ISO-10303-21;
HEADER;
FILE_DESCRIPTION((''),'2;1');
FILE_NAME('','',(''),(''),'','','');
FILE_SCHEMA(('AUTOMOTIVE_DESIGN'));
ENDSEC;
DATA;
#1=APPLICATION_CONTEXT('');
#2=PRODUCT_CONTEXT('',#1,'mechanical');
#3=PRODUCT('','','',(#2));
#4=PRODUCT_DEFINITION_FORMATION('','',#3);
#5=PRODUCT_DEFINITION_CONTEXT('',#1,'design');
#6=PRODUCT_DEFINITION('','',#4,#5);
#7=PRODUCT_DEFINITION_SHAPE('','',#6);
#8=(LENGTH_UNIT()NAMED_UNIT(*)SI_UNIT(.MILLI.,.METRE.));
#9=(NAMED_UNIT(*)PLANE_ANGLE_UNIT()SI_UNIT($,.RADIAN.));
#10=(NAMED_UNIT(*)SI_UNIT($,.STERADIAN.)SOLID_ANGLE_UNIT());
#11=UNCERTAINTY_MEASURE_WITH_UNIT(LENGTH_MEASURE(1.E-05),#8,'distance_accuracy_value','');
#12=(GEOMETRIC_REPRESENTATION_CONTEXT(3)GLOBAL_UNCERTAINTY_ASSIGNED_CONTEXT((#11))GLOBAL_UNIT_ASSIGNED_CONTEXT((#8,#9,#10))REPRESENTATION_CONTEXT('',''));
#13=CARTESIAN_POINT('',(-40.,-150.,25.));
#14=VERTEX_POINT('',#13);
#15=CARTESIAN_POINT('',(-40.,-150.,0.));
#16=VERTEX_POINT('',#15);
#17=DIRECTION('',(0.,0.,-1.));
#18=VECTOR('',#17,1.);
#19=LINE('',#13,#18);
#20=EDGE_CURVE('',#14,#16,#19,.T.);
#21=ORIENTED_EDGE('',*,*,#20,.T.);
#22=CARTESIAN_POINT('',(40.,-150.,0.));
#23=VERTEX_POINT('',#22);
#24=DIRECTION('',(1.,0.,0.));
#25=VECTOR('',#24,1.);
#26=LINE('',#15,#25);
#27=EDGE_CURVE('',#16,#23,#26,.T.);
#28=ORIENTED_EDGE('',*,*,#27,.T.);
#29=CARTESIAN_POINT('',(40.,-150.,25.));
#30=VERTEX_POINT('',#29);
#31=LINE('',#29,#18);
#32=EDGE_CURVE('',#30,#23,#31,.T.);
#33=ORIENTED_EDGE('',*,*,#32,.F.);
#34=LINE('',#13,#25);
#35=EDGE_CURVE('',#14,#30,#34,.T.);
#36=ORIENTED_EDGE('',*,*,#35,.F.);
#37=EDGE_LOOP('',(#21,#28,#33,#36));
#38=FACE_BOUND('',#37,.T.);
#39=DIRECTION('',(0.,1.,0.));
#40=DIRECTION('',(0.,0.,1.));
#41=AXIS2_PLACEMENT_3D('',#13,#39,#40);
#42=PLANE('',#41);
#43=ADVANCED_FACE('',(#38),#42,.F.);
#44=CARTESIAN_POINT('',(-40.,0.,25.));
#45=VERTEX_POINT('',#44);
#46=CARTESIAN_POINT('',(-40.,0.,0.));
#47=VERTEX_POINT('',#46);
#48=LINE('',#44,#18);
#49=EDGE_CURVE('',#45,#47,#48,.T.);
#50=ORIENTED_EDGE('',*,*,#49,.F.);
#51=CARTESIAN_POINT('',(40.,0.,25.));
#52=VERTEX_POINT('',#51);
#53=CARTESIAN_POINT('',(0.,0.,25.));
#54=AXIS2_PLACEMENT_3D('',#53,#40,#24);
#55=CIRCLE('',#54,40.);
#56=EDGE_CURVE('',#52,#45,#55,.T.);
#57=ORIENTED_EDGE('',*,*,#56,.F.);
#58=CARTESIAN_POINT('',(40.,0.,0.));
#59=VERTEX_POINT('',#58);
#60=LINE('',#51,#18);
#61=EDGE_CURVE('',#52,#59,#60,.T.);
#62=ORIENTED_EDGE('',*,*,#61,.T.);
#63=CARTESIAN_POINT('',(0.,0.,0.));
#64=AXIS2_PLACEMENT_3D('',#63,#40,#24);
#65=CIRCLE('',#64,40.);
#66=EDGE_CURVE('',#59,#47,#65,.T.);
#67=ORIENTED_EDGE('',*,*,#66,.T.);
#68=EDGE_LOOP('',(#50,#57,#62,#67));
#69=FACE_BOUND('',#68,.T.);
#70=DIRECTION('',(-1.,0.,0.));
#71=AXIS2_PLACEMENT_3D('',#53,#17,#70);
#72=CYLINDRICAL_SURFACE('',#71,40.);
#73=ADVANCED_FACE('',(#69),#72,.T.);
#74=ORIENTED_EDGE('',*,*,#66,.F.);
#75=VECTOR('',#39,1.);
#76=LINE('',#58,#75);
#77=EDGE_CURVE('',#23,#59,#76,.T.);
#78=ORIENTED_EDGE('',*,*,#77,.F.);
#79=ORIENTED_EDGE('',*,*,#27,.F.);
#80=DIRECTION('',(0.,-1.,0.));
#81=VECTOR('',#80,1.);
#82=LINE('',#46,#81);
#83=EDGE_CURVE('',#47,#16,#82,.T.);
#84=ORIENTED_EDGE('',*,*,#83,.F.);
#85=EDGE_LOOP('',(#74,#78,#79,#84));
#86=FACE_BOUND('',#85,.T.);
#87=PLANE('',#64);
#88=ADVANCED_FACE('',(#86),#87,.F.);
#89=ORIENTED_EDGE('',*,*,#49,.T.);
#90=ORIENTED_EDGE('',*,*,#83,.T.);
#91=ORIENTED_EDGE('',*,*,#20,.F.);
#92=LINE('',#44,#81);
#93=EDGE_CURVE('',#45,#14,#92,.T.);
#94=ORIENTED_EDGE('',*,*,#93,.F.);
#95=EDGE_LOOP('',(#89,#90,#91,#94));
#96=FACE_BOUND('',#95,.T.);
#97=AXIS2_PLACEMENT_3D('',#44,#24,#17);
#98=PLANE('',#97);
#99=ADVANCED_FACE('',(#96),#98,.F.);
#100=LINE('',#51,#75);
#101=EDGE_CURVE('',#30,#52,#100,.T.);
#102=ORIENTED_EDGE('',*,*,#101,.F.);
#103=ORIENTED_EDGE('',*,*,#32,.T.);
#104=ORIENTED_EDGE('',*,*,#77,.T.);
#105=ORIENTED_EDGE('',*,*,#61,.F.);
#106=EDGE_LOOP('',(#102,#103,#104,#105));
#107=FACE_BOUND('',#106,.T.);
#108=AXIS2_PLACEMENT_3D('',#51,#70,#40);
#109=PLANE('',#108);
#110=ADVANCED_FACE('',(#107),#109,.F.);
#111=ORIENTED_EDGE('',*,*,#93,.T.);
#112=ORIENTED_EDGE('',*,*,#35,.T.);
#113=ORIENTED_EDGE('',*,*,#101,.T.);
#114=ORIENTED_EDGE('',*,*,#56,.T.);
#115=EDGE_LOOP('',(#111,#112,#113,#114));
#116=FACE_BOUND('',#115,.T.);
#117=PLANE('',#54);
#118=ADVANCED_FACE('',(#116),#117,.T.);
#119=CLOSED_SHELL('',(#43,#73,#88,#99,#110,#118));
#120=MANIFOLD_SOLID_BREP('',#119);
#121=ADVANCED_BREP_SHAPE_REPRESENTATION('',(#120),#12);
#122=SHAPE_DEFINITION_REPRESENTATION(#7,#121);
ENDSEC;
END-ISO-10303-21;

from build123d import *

# Parameters (mm, degrees)
ESTRUSIONE_ESTRUSIONE1_DEPTH = 25


with BuildPart() as part:
    # Schizzo1 → Estrusione-Estrusione1 (new body)
    with BuildSketch(Plane.XY):
        with BuildLine():
            Line((-40, 0), (-40, -150))
            Line((-40, -150), (40, -150))
            Line((40, -150), (40, 0))
            ThreePointArc((40, 0), (0, 40), (-40, 0))
        make_face()
    extrude(amount=ESTRUSIONE_ESTRUSIONE1_DEPTH)


solid = part.part
